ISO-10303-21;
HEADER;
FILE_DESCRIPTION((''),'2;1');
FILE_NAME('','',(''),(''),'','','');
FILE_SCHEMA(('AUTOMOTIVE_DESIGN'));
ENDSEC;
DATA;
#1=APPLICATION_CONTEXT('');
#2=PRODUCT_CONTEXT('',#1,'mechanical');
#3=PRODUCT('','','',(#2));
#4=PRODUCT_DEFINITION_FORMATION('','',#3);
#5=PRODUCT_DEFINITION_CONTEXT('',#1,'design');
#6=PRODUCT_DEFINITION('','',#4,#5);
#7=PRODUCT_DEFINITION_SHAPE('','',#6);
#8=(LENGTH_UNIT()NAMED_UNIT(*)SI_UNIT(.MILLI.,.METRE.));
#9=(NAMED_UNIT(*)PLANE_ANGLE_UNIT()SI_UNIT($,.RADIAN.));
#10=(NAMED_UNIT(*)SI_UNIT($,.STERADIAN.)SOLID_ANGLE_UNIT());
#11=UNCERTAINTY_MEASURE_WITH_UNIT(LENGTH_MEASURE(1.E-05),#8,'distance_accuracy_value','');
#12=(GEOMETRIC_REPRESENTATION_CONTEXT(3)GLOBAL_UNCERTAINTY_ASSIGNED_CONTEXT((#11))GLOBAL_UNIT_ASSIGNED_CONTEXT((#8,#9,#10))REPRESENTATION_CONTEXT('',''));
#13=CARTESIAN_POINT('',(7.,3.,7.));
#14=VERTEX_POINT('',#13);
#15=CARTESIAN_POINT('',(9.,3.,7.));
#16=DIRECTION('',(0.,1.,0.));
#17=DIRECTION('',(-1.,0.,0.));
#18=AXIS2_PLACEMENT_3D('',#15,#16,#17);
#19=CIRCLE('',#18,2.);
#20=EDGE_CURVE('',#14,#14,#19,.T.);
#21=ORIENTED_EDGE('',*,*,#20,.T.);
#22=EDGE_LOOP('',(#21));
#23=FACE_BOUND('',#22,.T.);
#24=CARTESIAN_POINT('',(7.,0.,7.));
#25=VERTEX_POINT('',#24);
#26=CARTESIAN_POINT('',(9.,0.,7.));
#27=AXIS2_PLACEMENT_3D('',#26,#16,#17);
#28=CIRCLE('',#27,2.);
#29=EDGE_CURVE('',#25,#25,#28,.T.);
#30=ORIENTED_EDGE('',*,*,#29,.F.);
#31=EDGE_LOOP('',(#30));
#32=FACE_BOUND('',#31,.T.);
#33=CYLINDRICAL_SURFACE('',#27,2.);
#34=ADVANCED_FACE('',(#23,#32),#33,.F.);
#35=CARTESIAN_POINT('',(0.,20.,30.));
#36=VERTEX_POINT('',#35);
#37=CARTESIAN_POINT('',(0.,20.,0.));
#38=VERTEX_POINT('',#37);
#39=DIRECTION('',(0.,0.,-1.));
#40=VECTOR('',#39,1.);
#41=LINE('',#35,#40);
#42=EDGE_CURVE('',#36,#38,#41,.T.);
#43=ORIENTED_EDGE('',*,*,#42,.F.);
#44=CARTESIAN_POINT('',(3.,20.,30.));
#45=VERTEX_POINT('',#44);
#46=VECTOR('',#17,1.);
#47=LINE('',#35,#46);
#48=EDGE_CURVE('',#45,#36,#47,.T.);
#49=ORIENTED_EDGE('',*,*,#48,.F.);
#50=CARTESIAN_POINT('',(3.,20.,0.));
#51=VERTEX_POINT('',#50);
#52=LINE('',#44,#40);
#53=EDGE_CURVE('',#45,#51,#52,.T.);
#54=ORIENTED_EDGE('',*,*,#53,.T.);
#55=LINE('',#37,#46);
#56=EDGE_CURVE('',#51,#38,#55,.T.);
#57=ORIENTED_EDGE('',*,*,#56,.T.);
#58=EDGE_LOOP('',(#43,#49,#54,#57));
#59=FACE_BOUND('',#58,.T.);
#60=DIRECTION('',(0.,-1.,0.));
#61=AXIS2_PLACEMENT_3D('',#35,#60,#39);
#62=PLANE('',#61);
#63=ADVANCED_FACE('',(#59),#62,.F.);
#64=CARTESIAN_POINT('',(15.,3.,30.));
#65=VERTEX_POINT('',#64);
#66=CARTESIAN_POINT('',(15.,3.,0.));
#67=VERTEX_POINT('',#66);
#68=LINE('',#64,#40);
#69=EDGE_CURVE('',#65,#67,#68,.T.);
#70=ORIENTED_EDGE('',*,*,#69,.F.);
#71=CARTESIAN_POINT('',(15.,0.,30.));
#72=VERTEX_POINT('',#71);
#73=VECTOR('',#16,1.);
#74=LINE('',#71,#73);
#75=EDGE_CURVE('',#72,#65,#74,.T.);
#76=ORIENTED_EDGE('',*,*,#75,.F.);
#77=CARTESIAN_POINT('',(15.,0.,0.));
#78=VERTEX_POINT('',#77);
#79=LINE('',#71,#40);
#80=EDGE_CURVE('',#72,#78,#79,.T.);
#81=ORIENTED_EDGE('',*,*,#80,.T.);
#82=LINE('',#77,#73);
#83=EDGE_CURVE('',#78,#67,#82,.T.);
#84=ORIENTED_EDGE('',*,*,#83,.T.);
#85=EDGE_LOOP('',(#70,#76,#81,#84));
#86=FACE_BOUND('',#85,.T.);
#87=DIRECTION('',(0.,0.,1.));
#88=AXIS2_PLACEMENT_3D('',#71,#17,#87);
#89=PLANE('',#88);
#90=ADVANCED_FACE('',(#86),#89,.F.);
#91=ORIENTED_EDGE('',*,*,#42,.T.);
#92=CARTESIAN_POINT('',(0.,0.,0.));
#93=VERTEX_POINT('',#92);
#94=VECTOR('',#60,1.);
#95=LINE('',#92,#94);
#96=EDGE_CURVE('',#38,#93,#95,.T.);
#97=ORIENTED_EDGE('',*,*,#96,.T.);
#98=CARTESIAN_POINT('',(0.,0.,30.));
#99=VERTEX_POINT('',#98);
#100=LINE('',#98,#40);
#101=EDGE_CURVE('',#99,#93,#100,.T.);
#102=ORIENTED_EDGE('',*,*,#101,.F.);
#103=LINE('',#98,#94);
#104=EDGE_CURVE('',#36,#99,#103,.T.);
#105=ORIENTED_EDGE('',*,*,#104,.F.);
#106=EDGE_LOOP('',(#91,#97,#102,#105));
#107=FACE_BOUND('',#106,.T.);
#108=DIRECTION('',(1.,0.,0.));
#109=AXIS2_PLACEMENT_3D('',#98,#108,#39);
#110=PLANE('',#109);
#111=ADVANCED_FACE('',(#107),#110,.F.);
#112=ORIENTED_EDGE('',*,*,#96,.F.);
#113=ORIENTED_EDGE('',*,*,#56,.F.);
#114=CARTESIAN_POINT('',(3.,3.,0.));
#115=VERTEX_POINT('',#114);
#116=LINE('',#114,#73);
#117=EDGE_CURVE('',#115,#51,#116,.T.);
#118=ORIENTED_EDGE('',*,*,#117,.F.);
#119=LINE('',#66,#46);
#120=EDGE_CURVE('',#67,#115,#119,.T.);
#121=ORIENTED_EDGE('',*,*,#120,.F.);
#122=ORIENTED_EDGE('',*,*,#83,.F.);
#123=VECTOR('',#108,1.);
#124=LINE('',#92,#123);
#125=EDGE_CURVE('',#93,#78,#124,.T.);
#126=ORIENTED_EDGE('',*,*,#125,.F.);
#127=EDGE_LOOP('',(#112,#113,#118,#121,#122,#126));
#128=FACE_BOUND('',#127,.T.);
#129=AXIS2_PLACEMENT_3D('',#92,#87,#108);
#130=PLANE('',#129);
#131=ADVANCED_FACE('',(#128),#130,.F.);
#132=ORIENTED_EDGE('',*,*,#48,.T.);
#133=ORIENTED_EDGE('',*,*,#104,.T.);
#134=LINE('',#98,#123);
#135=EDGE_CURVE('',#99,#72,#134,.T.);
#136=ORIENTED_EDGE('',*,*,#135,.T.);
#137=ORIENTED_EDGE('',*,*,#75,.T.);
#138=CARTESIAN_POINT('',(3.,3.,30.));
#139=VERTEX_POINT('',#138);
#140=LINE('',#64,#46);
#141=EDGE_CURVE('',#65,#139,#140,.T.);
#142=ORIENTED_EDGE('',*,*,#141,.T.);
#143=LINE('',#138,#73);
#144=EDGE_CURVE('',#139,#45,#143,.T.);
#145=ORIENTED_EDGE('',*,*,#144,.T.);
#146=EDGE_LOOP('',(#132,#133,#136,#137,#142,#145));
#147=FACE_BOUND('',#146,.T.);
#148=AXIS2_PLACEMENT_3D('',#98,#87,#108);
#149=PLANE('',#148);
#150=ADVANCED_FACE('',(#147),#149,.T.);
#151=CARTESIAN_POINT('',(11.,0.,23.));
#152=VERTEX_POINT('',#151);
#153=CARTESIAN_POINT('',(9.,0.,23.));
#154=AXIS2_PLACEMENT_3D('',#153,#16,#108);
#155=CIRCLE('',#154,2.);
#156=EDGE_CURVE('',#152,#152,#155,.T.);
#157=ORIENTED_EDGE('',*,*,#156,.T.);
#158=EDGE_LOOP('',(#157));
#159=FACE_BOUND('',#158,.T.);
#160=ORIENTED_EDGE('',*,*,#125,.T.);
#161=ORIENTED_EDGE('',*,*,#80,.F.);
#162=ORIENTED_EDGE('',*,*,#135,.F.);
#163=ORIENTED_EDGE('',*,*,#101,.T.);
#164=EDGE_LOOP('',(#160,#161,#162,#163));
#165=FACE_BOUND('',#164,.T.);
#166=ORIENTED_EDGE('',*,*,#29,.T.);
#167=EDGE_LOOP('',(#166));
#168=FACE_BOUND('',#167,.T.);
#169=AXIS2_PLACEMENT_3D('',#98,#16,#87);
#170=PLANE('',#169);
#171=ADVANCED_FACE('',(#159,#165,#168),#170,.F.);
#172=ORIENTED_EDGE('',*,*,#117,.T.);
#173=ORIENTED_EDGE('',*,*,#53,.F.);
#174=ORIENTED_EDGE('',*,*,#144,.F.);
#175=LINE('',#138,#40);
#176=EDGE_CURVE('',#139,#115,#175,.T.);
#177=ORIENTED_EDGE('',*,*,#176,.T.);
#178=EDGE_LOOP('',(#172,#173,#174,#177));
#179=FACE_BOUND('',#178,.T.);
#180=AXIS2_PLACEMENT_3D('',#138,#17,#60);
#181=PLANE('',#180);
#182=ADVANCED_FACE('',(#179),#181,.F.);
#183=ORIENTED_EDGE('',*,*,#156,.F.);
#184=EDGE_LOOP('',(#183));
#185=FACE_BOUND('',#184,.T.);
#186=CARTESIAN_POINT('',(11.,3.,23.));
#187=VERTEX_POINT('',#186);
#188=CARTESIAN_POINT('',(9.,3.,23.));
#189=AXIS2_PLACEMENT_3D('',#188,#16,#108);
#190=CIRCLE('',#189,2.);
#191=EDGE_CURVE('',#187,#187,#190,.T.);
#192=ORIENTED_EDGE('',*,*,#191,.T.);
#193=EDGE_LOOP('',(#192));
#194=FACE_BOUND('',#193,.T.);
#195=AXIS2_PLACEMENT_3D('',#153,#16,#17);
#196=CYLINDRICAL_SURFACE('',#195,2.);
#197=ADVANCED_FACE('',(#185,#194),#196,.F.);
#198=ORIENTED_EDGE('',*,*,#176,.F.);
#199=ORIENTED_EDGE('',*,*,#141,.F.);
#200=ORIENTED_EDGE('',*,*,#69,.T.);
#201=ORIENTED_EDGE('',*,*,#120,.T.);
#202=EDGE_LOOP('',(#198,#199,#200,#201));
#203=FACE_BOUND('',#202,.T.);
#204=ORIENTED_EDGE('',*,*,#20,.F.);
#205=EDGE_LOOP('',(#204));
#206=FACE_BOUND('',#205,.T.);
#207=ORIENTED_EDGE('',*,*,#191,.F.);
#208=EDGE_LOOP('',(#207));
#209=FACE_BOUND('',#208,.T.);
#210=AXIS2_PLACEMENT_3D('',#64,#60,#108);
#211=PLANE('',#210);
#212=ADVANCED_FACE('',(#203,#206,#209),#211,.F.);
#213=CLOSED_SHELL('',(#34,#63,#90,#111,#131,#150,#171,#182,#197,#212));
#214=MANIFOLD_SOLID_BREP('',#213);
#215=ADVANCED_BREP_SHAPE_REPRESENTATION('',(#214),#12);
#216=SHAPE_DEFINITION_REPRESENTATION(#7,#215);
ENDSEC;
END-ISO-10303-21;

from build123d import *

# Parameters (mm, degrees)
BOSS_EXTRUDE1_DEPTH = 30
SKETCH2_R           = 2
CUT_EXTRUDE1_DEPTH  = 3


with BuildPart() as part:
    # Sketch1 → Boss-Extrude1 (new body)
    with BuildSketch(Plane.XY):
        Polygon((0, 0), (0, 20), (3, 20), (3, 3), (15, 3), (15, 0), align=None)
    extrude(amount=BOSS_EXTRUDE1_DEPTH)

    # Sketch2 → Cut-Extrude1 (cut)
    with BuildSketch(Plane(origin=(0, 3, 0), x_dir=(1, 0, 0), z_dir=(0, 1, 0))):
        with Locations(Location((9, -7, 0), (0, 0, 180))):
            Circle(SKETCH2_R)
        with Locations((9, -23)):
            Circle(SKETCH2_R)
    extrude(amount=-CUT_EXTRUDE1_DEPTH, mode=Mode.SUBTRACT)


solid = part.part
